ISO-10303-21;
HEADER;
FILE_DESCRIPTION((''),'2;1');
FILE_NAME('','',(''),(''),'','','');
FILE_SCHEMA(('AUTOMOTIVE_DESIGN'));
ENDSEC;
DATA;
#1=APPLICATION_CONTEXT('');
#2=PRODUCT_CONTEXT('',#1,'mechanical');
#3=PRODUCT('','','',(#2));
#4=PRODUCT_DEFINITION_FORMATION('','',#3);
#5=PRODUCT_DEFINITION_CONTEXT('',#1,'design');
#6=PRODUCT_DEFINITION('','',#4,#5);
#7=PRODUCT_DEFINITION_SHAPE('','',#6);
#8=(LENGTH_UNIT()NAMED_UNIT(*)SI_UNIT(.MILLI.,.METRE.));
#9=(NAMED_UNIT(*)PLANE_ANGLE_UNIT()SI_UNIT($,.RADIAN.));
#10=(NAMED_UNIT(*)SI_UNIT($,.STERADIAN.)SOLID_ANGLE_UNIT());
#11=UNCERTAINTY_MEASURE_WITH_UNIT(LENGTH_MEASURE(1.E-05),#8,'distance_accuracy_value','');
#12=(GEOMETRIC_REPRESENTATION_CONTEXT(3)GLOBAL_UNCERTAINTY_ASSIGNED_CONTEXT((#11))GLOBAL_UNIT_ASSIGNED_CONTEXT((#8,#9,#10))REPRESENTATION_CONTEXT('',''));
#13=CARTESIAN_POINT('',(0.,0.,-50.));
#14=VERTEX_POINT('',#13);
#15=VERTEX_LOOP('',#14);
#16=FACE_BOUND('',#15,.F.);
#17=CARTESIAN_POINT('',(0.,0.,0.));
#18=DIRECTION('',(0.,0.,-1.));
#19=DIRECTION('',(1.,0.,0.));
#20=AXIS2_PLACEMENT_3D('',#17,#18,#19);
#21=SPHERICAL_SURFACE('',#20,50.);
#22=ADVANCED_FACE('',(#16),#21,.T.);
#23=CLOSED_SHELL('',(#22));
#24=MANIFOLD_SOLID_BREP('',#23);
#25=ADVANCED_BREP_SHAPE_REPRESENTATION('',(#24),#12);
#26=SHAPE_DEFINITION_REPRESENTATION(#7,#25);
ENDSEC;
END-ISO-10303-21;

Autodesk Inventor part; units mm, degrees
sketch "Sketch1" plane through (0, 0, 0) normal (0, 1, 0) x (-1, 0, 0)
  arc A0 (0, 50) -> (0, -50) centre (0, 0) ccw
  line L0 (0, -50) -> (0, 50)
  line L1 (0, -70) -> (0, 70) projected
revolve "Revolution1" add sketch "Sketch1" angle 360 about axis through (0, 0, -10) along (0, 0, 1)
properties part number "100mm ball"
